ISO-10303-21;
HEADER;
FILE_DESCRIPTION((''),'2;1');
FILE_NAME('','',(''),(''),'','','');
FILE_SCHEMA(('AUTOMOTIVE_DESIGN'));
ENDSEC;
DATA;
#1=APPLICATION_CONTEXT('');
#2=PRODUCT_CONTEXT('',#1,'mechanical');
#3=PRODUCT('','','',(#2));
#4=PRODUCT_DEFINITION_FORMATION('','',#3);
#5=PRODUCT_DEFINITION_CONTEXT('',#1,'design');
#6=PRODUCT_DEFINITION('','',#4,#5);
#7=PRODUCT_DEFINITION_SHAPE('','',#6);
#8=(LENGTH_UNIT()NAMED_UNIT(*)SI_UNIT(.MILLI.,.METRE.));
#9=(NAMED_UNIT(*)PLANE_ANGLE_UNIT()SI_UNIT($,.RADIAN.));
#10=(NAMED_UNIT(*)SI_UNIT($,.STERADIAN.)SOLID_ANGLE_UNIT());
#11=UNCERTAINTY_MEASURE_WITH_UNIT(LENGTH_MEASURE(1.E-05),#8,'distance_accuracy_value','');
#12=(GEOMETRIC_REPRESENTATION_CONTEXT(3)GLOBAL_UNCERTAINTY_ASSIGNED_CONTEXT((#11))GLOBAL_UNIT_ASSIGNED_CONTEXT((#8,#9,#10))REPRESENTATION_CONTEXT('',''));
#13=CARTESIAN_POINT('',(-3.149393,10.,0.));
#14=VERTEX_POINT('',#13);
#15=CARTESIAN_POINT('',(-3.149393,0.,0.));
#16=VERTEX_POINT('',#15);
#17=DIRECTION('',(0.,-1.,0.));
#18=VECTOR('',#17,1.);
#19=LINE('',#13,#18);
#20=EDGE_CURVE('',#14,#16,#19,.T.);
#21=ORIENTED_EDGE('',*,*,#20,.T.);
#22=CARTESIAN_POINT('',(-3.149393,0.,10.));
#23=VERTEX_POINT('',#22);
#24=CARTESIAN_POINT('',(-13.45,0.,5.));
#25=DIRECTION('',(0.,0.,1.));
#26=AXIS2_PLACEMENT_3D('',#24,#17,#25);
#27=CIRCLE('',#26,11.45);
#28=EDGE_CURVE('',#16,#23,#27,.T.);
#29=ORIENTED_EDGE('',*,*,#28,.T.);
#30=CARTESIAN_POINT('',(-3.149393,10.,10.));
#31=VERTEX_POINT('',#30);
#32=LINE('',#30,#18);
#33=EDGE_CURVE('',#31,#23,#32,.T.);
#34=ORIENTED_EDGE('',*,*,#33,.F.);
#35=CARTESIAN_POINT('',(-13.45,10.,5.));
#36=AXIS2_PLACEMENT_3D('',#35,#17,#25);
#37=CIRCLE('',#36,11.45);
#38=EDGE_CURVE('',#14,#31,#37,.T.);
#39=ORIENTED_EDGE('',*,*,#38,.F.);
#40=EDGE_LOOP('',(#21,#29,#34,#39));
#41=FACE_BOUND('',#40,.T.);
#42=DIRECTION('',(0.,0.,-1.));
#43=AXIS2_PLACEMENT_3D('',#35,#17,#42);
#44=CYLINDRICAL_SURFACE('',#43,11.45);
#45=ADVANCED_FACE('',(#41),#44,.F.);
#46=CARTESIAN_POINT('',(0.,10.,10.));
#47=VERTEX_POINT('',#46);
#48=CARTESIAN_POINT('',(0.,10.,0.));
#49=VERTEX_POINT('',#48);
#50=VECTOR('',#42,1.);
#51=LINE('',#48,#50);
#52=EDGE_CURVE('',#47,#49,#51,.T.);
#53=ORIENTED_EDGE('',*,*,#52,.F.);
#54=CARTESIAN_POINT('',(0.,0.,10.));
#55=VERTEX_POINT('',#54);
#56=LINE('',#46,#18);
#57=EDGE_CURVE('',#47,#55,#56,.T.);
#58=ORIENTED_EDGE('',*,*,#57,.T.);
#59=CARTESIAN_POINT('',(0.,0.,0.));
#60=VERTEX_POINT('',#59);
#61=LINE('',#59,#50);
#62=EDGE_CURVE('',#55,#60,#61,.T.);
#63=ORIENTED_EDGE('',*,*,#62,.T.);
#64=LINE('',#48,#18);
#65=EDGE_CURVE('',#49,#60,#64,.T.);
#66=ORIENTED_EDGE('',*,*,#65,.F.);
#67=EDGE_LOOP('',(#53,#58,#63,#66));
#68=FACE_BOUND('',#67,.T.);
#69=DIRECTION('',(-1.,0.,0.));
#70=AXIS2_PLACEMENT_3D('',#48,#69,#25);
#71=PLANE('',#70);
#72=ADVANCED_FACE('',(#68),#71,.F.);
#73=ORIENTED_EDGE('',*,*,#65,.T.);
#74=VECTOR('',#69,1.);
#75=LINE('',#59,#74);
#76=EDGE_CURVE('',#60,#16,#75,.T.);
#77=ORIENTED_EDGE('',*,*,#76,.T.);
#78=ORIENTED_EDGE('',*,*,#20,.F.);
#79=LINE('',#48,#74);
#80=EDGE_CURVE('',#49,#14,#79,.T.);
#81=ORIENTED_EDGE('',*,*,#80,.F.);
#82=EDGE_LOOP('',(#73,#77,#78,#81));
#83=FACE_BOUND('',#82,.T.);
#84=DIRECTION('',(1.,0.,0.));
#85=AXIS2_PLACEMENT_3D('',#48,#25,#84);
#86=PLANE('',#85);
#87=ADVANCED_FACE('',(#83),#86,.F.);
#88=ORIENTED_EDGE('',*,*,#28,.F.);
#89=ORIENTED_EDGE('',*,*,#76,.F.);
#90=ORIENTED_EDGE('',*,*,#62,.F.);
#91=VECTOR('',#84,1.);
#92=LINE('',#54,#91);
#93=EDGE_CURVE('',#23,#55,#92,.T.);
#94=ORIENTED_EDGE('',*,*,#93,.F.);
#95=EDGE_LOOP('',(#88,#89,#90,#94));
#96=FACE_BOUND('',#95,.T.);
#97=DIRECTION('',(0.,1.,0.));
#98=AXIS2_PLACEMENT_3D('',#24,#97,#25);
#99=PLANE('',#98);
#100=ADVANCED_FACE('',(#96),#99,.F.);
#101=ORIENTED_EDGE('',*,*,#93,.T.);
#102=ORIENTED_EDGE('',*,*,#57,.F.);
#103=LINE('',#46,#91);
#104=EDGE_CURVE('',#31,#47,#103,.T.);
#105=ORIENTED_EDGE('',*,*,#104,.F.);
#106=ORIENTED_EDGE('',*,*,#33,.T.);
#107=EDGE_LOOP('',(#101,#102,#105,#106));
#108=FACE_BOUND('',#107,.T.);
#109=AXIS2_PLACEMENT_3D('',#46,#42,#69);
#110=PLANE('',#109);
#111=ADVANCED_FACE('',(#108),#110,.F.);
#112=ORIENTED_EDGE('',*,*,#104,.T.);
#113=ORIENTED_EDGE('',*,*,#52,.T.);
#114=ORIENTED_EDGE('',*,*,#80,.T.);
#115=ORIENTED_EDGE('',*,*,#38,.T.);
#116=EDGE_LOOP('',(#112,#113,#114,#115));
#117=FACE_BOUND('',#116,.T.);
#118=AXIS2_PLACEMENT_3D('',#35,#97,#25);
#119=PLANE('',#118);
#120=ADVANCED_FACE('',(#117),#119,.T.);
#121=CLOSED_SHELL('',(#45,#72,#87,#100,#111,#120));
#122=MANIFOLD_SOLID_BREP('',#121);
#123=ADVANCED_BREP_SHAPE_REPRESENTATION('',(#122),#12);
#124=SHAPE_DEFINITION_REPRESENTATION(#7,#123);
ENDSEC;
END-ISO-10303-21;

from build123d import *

# Parameters (mm, degrees)
EXTRUDE_1_DEPTH = 10


with BuildPart() as part:
    # 草图1 → 凸台-拉伸1 (new body)
    with BuildSketch(Plane(origin=(0, 0, 0), x_dir=(1, 0, 0), z_dir=(0, 1, 0))):
        with BuildLine():
            Line((0, 0), (0, -10))
            Line((0, -10), (-3.149393222, -10))
            ThreePointArc((-3.149393222, -10), (-2, -5), (-3.149393222, 0))
            Line((-3.149393222, 0), (0, 0))
        make_face()
    extrude(amount=EXTRUDE_1_DEPTH)


solid = part.part
